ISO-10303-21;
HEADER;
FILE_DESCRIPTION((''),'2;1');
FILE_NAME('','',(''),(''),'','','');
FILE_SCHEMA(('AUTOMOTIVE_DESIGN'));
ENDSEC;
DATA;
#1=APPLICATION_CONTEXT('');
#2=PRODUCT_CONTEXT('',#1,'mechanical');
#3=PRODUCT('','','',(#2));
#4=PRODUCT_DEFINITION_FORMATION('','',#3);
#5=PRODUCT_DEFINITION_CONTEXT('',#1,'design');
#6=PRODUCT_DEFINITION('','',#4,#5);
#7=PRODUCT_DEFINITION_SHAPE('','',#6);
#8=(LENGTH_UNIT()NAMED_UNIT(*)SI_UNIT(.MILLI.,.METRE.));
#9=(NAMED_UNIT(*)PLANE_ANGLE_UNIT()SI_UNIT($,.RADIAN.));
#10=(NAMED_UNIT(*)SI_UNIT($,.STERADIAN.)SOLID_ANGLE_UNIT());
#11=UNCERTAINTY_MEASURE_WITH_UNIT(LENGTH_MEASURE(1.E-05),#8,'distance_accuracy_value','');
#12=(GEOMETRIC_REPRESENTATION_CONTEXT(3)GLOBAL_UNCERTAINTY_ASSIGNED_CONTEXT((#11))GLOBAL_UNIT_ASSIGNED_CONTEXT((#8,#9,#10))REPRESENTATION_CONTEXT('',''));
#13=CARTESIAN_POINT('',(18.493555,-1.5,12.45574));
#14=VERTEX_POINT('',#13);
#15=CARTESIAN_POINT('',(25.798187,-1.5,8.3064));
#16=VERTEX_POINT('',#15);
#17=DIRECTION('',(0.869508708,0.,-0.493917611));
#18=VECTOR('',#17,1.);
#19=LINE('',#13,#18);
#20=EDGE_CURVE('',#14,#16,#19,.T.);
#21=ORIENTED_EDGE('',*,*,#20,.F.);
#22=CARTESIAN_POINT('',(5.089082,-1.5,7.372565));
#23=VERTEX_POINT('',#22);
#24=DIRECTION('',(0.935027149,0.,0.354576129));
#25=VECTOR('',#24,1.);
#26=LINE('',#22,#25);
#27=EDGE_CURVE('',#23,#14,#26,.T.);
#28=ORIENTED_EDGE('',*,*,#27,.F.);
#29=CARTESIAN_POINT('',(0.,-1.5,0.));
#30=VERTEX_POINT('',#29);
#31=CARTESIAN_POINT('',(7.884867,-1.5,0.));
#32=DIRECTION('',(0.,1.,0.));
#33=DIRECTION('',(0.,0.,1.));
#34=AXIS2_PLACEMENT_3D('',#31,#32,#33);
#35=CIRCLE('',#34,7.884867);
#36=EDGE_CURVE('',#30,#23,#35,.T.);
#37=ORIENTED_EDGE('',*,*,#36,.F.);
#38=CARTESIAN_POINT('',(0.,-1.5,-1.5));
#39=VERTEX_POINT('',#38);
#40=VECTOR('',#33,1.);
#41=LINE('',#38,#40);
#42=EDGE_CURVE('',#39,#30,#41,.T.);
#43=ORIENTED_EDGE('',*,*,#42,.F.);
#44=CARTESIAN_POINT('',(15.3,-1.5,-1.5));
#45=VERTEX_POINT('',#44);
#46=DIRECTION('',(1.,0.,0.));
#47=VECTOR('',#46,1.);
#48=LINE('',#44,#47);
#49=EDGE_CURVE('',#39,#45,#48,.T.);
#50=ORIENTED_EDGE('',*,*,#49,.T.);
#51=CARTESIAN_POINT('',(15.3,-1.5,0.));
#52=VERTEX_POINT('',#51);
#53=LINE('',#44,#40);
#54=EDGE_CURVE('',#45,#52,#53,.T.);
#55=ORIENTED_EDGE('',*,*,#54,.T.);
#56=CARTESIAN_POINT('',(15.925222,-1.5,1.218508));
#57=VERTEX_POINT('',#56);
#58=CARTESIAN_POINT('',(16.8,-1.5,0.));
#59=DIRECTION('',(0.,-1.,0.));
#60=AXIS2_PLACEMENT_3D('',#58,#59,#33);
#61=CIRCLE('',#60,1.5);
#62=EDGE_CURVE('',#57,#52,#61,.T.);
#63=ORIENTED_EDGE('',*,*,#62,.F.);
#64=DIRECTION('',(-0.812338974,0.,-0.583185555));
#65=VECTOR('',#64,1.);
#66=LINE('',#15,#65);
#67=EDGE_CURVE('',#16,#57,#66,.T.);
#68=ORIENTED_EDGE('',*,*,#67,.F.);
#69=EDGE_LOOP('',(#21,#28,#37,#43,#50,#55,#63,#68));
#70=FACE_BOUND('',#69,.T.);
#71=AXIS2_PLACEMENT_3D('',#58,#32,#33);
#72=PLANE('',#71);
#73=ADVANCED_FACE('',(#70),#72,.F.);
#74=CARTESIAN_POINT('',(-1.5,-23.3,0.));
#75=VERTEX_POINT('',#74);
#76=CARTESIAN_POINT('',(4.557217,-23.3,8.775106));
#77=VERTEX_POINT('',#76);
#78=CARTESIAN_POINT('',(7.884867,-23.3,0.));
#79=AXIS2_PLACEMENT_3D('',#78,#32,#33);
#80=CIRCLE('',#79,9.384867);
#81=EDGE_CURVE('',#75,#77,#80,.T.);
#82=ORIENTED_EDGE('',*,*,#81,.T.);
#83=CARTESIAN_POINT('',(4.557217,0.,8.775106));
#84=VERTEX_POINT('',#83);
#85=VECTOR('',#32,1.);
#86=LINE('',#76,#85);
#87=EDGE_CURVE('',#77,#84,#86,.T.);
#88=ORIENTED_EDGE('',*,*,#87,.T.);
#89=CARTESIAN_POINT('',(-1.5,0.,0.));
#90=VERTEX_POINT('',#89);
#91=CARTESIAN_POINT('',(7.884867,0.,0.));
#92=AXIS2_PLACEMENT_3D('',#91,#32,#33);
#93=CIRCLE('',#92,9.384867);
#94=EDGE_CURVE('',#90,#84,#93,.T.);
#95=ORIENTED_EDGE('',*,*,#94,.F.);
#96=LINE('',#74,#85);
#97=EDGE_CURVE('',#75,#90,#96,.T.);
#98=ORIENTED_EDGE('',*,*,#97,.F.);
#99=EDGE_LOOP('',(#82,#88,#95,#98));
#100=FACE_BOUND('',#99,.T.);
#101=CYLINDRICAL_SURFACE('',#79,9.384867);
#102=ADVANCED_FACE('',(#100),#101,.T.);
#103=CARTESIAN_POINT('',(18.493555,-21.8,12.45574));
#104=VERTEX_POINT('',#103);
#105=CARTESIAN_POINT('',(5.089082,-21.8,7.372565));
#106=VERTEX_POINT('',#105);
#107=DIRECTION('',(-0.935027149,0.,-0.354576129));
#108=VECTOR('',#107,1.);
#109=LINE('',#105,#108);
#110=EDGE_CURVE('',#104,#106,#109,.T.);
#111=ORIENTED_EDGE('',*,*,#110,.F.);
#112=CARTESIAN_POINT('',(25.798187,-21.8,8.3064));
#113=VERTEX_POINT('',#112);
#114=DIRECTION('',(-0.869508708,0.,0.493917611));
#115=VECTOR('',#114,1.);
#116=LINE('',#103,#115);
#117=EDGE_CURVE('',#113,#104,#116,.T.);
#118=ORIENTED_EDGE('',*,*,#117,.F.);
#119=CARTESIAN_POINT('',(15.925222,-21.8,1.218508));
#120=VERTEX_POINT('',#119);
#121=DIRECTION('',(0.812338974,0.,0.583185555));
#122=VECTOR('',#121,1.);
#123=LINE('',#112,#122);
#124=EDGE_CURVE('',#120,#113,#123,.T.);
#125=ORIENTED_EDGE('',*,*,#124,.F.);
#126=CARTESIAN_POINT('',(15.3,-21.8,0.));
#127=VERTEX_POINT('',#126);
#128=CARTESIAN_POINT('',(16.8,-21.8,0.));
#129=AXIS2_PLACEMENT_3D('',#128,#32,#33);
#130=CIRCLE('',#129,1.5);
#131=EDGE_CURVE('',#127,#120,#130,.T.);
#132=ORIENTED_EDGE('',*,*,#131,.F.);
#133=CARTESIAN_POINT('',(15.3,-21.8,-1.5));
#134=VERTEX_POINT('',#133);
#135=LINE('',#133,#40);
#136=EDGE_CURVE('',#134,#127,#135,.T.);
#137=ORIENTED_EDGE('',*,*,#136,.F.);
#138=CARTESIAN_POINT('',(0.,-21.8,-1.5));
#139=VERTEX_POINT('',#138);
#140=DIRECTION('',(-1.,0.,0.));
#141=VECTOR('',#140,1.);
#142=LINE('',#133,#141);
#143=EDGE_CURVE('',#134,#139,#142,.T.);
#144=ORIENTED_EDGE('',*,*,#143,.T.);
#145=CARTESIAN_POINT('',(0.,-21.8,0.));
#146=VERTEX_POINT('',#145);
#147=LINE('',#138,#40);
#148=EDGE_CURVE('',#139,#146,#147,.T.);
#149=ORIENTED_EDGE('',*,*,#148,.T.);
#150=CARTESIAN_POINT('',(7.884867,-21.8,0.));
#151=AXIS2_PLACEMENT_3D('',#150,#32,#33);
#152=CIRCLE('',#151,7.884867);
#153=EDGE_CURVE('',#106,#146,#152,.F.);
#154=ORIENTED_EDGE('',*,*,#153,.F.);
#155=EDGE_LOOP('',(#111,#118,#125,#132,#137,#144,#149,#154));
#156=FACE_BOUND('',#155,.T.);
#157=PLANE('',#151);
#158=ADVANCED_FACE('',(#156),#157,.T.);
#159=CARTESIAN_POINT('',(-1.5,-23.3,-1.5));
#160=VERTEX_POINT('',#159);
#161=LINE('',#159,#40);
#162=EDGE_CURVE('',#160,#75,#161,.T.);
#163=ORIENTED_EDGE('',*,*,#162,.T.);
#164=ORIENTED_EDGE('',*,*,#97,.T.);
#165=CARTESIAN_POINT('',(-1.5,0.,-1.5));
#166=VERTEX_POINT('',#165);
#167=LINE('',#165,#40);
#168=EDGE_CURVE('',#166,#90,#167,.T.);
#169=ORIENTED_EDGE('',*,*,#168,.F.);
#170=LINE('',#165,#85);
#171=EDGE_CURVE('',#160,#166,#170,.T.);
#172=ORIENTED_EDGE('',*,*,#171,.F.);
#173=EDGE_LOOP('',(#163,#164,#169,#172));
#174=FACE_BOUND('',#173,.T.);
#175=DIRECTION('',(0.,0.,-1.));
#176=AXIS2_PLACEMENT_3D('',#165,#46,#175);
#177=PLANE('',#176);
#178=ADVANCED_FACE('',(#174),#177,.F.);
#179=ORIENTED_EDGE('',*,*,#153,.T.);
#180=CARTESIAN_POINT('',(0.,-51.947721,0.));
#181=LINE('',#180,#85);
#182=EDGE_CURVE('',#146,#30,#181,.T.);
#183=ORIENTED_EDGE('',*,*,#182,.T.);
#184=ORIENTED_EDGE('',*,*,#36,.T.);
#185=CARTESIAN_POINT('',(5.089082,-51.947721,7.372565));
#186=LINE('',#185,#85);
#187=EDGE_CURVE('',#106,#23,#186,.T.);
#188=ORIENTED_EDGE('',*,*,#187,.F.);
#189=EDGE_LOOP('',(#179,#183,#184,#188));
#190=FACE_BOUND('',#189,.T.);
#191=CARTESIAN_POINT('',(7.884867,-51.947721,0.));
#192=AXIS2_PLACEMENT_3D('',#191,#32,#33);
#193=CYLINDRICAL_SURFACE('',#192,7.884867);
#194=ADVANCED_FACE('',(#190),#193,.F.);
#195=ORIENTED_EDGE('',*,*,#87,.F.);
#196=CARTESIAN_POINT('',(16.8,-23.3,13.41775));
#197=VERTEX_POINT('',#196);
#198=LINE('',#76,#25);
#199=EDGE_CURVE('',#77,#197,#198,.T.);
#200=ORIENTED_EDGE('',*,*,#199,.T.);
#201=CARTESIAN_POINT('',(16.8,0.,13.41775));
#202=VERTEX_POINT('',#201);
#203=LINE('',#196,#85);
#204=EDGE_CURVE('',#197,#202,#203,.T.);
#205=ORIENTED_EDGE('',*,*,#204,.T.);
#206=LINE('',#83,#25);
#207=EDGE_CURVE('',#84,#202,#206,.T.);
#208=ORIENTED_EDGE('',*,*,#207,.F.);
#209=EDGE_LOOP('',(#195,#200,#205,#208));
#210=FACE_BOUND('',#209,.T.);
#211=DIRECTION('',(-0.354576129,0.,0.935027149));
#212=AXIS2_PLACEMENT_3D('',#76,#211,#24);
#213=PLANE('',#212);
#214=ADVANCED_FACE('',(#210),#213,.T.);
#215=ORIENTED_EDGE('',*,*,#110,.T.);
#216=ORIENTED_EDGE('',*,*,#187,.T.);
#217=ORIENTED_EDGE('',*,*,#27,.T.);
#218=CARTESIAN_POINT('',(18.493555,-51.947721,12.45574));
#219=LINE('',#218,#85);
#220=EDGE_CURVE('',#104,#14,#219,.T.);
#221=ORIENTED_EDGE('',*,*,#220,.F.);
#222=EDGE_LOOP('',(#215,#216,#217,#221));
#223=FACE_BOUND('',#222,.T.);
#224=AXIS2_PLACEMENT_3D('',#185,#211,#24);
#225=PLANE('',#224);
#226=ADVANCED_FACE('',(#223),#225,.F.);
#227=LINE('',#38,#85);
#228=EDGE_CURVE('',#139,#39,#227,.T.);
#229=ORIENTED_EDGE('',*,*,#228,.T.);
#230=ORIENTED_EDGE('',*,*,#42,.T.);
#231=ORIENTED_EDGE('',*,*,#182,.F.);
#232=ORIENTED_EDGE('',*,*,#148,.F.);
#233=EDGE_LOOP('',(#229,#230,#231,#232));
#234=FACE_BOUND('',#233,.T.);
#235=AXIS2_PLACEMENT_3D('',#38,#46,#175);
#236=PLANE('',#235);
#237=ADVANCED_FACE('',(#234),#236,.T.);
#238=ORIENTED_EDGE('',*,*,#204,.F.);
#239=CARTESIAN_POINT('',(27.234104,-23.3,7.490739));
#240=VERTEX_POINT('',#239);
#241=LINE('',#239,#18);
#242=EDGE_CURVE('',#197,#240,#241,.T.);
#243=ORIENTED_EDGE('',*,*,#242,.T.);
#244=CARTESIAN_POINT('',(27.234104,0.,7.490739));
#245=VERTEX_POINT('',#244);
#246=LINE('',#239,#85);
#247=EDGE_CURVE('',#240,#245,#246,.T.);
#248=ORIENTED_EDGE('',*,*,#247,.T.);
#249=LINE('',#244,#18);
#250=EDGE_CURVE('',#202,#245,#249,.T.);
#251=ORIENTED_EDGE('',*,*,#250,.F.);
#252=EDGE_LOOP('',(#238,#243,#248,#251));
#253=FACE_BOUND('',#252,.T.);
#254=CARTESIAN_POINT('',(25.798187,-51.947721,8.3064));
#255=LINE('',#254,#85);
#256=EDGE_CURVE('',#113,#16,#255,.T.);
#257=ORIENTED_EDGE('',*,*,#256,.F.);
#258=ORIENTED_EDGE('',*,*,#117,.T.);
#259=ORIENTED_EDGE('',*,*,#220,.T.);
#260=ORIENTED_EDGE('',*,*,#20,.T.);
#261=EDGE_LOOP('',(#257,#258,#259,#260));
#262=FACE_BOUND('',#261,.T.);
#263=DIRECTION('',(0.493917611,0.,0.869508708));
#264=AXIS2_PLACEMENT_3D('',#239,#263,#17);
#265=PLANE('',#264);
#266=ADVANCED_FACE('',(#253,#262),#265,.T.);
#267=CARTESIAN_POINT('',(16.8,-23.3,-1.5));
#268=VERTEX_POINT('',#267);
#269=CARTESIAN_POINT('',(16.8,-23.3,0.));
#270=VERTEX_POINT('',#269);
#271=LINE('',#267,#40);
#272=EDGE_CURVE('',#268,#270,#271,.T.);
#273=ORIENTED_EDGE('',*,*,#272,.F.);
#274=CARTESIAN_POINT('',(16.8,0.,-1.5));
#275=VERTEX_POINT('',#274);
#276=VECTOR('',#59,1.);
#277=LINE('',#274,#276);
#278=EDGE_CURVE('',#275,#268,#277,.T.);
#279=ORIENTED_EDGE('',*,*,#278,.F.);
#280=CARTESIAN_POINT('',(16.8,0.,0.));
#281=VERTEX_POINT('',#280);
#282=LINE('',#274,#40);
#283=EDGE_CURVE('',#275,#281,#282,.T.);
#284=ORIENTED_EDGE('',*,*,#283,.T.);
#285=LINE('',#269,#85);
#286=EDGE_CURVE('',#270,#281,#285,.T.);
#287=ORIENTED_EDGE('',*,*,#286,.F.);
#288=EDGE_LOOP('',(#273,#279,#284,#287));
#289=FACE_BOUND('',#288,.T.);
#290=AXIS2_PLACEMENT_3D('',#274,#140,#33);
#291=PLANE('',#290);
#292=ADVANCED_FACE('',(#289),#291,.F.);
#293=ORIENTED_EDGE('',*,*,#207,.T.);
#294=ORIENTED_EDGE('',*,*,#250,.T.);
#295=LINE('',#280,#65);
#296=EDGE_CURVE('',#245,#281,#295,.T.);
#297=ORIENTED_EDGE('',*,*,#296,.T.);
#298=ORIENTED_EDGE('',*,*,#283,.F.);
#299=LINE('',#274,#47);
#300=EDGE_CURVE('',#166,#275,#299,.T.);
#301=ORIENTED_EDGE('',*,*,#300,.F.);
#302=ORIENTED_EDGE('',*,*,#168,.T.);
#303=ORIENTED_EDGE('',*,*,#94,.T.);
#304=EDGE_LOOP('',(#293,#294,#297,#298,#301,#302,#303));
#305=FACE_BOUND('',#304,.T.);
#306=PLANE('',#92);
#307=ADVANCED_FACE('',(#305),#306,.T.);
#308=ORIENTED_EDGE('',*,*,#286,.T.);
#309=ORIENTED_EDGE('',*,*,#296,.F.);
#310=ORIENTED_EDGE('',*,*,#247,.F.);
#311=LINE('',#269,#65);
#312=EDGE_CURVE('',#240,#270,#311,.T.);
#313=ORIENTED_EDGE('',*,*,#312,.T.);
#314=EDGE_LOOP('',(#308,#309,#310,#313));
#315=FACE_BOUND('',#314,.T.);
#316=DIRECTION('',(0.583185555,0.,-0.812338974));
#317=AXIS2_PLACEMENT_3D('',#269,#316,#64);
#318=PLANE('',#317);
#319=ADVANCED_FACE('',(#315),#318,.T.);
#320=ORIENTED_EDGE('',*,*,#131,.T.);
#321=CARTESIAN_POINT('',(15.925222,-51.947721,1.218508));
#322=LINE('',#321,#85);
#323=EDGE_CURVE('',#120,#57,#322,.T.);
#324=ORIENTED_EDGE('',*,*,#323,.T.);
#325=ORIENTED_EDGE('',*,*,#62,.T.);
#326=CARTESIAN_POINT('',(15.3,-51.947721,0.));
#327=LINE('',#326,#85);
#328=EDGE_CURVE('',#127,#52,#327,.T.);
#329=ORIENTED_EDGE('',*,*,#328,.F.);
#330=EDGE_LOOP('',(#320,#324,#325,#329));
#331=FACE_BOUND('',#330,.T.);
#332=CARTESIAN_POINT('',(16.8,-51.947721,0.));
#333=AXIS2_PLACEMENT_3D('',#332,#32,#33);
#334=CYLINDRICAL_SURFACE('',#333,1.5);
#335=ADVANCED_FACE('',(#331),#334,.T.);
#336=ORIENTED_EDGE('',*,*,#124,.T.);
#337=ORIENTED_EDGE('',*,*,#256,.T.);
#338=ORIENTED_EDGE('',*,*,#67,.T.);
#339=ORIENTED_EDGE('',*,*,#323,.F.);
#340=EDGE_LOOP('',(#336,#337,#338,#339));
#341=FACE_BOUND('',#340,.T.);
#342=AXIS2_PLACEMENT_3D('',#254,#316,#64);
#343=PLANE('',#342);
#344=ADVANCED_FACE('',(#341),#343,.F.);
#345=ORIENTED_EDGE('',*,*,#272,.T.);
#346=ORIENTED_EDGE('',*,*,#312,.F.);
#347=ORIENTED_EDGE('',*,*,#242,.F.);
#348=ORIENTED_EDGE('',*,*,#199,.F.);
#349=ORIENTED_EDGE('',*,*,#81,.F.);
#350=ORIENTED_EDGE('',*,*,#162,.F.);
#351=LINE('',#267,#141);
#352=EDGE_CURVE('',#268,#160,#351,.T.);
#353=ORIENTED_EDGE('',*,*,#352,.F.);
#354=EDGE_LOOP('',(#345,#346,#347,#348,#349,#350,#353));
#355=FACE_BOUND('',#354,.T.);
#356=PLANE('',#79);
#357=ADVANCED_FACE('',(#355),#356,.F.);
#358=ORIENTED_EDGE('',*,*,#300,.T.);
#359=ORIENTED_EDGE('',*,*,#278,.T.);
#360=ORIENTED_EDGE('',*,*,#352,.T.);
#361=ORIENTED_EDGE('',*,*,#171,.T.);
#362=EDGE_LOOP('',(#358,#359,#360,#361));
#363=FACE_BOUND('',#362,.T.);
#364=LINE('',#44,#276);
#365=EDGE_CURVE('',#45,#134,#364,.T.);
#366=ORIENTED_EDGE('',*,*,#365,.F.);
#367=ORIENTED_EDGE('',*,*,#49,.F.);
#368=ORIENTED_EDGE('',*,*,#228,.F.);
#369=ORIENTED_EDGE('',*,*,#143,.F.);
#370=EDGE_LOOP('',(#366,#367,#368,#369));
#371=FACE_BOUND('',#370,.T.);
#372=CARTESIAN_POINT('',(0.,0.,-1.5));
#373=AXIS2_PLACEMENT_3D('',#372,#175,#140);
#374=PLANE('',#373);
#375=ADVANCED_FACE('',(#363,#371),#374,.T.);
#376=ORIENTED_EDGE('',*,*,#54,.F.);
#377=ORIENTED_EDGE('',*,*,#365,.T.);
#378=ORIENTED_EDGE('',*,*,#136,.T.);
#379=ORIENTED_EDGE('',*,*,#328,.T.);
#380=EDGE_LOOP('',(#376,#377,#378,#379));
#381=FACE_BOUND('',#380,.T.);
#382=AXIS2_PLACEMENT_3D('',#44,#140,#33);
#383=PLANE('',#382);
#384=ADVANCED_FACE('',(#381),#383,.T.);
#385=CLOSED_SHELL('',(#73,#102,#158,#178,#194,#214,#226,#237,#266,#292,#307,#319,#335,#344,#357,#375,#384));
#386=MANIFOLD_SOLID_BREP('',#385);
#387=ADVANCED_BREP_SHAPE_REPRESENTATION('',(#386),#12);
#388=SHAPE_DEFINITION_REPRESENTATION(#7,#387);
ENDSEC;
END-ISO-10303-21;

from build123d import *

# Parameters (mm, degrees)
EXTRUDE_2_DEPTH     = 23.3
CUT_EXTRUDE_1_DEPTH = 20.3
SKETCH_5_W          = 18.3
SKETCH_5_H          = 23.3
SKETCH_5_W_2        = 15.3
SKETCH_5_H_2        = 20.3
EXTRUDE_3_DEPTH     = 1.5


with BuildPart() as part:
    # 草圖3 → 填料-伸長2 (new body)
    with BuildSketch(Plane(origin=(0, 0, 0), x_dir=(1, 0, 0), z_dir=(0, 1, 0))):
        with BuildLine():
            Line((-1.5, 0), (16.8, 0))
            Line((16.8, 0), (27.234104494, -7.490738748))
            Line((27.234104494, -7.490738748), (16.8, -13.417750086))
            Line((16.8, -13.417750086), (4.557217445, -8.775105803))
            ThreePointArc((4.557217445, -8.775105803), (0.161354932, -5.331331096), (-1.5, 0))
        make_face()
    extrude(amount=-EXTRUDE_2_DEPTH)

    # 草圖4 → 除料-伸長1 (cut)
    with BuildSketch(Plane(origin=(0, -1.5, 0), x_dir=(1, 0, 0), z_dir=(0, 1, 0))):
        with BuildLine():
            Line((25.798187114, -8.30640037), (15.925221667, -1.21850846))
            ThreePointArc((15.925221667, -1.21850846), (15.465427503, -0.684774598), (15.3, 0))
            Line((15.3, 0), (0, 0))
            ThreePointArc((0, 0), (1.395817627, -4.479214992), (5.089081639, -7.37256508))
            Line((5.089081639, -7.37256508), (18.493554713, -12.455739595))
            Line((18.493554713, -12.455739595), (25.798187114, -8.30640037))
        make_face()
    extrude(amount=-CUT_EXTRUDE_1_DEPTH, mode=Mode.SUBTRACT)

    # 草圖5 → 填料-伸長3 (add)
    with BuildSketch(Plane(origin=(0, 0, 0), x_dir=(-1, 0, 0), z_dir=(0, 0, -1))):
        with Locations((-7.65, -11.65)):
            Rectangle(SKETCH_5_W, SKETCH_5_H)
        with Locations((-7.65, -11.65)):
            Rectangle(SKETCH_5_W_2, SKETCH_5_H_2, mode=Mode.SUBTRACT)
    extrude(amount=EXTRUDE_3_DEPTH)


solid = part.part
